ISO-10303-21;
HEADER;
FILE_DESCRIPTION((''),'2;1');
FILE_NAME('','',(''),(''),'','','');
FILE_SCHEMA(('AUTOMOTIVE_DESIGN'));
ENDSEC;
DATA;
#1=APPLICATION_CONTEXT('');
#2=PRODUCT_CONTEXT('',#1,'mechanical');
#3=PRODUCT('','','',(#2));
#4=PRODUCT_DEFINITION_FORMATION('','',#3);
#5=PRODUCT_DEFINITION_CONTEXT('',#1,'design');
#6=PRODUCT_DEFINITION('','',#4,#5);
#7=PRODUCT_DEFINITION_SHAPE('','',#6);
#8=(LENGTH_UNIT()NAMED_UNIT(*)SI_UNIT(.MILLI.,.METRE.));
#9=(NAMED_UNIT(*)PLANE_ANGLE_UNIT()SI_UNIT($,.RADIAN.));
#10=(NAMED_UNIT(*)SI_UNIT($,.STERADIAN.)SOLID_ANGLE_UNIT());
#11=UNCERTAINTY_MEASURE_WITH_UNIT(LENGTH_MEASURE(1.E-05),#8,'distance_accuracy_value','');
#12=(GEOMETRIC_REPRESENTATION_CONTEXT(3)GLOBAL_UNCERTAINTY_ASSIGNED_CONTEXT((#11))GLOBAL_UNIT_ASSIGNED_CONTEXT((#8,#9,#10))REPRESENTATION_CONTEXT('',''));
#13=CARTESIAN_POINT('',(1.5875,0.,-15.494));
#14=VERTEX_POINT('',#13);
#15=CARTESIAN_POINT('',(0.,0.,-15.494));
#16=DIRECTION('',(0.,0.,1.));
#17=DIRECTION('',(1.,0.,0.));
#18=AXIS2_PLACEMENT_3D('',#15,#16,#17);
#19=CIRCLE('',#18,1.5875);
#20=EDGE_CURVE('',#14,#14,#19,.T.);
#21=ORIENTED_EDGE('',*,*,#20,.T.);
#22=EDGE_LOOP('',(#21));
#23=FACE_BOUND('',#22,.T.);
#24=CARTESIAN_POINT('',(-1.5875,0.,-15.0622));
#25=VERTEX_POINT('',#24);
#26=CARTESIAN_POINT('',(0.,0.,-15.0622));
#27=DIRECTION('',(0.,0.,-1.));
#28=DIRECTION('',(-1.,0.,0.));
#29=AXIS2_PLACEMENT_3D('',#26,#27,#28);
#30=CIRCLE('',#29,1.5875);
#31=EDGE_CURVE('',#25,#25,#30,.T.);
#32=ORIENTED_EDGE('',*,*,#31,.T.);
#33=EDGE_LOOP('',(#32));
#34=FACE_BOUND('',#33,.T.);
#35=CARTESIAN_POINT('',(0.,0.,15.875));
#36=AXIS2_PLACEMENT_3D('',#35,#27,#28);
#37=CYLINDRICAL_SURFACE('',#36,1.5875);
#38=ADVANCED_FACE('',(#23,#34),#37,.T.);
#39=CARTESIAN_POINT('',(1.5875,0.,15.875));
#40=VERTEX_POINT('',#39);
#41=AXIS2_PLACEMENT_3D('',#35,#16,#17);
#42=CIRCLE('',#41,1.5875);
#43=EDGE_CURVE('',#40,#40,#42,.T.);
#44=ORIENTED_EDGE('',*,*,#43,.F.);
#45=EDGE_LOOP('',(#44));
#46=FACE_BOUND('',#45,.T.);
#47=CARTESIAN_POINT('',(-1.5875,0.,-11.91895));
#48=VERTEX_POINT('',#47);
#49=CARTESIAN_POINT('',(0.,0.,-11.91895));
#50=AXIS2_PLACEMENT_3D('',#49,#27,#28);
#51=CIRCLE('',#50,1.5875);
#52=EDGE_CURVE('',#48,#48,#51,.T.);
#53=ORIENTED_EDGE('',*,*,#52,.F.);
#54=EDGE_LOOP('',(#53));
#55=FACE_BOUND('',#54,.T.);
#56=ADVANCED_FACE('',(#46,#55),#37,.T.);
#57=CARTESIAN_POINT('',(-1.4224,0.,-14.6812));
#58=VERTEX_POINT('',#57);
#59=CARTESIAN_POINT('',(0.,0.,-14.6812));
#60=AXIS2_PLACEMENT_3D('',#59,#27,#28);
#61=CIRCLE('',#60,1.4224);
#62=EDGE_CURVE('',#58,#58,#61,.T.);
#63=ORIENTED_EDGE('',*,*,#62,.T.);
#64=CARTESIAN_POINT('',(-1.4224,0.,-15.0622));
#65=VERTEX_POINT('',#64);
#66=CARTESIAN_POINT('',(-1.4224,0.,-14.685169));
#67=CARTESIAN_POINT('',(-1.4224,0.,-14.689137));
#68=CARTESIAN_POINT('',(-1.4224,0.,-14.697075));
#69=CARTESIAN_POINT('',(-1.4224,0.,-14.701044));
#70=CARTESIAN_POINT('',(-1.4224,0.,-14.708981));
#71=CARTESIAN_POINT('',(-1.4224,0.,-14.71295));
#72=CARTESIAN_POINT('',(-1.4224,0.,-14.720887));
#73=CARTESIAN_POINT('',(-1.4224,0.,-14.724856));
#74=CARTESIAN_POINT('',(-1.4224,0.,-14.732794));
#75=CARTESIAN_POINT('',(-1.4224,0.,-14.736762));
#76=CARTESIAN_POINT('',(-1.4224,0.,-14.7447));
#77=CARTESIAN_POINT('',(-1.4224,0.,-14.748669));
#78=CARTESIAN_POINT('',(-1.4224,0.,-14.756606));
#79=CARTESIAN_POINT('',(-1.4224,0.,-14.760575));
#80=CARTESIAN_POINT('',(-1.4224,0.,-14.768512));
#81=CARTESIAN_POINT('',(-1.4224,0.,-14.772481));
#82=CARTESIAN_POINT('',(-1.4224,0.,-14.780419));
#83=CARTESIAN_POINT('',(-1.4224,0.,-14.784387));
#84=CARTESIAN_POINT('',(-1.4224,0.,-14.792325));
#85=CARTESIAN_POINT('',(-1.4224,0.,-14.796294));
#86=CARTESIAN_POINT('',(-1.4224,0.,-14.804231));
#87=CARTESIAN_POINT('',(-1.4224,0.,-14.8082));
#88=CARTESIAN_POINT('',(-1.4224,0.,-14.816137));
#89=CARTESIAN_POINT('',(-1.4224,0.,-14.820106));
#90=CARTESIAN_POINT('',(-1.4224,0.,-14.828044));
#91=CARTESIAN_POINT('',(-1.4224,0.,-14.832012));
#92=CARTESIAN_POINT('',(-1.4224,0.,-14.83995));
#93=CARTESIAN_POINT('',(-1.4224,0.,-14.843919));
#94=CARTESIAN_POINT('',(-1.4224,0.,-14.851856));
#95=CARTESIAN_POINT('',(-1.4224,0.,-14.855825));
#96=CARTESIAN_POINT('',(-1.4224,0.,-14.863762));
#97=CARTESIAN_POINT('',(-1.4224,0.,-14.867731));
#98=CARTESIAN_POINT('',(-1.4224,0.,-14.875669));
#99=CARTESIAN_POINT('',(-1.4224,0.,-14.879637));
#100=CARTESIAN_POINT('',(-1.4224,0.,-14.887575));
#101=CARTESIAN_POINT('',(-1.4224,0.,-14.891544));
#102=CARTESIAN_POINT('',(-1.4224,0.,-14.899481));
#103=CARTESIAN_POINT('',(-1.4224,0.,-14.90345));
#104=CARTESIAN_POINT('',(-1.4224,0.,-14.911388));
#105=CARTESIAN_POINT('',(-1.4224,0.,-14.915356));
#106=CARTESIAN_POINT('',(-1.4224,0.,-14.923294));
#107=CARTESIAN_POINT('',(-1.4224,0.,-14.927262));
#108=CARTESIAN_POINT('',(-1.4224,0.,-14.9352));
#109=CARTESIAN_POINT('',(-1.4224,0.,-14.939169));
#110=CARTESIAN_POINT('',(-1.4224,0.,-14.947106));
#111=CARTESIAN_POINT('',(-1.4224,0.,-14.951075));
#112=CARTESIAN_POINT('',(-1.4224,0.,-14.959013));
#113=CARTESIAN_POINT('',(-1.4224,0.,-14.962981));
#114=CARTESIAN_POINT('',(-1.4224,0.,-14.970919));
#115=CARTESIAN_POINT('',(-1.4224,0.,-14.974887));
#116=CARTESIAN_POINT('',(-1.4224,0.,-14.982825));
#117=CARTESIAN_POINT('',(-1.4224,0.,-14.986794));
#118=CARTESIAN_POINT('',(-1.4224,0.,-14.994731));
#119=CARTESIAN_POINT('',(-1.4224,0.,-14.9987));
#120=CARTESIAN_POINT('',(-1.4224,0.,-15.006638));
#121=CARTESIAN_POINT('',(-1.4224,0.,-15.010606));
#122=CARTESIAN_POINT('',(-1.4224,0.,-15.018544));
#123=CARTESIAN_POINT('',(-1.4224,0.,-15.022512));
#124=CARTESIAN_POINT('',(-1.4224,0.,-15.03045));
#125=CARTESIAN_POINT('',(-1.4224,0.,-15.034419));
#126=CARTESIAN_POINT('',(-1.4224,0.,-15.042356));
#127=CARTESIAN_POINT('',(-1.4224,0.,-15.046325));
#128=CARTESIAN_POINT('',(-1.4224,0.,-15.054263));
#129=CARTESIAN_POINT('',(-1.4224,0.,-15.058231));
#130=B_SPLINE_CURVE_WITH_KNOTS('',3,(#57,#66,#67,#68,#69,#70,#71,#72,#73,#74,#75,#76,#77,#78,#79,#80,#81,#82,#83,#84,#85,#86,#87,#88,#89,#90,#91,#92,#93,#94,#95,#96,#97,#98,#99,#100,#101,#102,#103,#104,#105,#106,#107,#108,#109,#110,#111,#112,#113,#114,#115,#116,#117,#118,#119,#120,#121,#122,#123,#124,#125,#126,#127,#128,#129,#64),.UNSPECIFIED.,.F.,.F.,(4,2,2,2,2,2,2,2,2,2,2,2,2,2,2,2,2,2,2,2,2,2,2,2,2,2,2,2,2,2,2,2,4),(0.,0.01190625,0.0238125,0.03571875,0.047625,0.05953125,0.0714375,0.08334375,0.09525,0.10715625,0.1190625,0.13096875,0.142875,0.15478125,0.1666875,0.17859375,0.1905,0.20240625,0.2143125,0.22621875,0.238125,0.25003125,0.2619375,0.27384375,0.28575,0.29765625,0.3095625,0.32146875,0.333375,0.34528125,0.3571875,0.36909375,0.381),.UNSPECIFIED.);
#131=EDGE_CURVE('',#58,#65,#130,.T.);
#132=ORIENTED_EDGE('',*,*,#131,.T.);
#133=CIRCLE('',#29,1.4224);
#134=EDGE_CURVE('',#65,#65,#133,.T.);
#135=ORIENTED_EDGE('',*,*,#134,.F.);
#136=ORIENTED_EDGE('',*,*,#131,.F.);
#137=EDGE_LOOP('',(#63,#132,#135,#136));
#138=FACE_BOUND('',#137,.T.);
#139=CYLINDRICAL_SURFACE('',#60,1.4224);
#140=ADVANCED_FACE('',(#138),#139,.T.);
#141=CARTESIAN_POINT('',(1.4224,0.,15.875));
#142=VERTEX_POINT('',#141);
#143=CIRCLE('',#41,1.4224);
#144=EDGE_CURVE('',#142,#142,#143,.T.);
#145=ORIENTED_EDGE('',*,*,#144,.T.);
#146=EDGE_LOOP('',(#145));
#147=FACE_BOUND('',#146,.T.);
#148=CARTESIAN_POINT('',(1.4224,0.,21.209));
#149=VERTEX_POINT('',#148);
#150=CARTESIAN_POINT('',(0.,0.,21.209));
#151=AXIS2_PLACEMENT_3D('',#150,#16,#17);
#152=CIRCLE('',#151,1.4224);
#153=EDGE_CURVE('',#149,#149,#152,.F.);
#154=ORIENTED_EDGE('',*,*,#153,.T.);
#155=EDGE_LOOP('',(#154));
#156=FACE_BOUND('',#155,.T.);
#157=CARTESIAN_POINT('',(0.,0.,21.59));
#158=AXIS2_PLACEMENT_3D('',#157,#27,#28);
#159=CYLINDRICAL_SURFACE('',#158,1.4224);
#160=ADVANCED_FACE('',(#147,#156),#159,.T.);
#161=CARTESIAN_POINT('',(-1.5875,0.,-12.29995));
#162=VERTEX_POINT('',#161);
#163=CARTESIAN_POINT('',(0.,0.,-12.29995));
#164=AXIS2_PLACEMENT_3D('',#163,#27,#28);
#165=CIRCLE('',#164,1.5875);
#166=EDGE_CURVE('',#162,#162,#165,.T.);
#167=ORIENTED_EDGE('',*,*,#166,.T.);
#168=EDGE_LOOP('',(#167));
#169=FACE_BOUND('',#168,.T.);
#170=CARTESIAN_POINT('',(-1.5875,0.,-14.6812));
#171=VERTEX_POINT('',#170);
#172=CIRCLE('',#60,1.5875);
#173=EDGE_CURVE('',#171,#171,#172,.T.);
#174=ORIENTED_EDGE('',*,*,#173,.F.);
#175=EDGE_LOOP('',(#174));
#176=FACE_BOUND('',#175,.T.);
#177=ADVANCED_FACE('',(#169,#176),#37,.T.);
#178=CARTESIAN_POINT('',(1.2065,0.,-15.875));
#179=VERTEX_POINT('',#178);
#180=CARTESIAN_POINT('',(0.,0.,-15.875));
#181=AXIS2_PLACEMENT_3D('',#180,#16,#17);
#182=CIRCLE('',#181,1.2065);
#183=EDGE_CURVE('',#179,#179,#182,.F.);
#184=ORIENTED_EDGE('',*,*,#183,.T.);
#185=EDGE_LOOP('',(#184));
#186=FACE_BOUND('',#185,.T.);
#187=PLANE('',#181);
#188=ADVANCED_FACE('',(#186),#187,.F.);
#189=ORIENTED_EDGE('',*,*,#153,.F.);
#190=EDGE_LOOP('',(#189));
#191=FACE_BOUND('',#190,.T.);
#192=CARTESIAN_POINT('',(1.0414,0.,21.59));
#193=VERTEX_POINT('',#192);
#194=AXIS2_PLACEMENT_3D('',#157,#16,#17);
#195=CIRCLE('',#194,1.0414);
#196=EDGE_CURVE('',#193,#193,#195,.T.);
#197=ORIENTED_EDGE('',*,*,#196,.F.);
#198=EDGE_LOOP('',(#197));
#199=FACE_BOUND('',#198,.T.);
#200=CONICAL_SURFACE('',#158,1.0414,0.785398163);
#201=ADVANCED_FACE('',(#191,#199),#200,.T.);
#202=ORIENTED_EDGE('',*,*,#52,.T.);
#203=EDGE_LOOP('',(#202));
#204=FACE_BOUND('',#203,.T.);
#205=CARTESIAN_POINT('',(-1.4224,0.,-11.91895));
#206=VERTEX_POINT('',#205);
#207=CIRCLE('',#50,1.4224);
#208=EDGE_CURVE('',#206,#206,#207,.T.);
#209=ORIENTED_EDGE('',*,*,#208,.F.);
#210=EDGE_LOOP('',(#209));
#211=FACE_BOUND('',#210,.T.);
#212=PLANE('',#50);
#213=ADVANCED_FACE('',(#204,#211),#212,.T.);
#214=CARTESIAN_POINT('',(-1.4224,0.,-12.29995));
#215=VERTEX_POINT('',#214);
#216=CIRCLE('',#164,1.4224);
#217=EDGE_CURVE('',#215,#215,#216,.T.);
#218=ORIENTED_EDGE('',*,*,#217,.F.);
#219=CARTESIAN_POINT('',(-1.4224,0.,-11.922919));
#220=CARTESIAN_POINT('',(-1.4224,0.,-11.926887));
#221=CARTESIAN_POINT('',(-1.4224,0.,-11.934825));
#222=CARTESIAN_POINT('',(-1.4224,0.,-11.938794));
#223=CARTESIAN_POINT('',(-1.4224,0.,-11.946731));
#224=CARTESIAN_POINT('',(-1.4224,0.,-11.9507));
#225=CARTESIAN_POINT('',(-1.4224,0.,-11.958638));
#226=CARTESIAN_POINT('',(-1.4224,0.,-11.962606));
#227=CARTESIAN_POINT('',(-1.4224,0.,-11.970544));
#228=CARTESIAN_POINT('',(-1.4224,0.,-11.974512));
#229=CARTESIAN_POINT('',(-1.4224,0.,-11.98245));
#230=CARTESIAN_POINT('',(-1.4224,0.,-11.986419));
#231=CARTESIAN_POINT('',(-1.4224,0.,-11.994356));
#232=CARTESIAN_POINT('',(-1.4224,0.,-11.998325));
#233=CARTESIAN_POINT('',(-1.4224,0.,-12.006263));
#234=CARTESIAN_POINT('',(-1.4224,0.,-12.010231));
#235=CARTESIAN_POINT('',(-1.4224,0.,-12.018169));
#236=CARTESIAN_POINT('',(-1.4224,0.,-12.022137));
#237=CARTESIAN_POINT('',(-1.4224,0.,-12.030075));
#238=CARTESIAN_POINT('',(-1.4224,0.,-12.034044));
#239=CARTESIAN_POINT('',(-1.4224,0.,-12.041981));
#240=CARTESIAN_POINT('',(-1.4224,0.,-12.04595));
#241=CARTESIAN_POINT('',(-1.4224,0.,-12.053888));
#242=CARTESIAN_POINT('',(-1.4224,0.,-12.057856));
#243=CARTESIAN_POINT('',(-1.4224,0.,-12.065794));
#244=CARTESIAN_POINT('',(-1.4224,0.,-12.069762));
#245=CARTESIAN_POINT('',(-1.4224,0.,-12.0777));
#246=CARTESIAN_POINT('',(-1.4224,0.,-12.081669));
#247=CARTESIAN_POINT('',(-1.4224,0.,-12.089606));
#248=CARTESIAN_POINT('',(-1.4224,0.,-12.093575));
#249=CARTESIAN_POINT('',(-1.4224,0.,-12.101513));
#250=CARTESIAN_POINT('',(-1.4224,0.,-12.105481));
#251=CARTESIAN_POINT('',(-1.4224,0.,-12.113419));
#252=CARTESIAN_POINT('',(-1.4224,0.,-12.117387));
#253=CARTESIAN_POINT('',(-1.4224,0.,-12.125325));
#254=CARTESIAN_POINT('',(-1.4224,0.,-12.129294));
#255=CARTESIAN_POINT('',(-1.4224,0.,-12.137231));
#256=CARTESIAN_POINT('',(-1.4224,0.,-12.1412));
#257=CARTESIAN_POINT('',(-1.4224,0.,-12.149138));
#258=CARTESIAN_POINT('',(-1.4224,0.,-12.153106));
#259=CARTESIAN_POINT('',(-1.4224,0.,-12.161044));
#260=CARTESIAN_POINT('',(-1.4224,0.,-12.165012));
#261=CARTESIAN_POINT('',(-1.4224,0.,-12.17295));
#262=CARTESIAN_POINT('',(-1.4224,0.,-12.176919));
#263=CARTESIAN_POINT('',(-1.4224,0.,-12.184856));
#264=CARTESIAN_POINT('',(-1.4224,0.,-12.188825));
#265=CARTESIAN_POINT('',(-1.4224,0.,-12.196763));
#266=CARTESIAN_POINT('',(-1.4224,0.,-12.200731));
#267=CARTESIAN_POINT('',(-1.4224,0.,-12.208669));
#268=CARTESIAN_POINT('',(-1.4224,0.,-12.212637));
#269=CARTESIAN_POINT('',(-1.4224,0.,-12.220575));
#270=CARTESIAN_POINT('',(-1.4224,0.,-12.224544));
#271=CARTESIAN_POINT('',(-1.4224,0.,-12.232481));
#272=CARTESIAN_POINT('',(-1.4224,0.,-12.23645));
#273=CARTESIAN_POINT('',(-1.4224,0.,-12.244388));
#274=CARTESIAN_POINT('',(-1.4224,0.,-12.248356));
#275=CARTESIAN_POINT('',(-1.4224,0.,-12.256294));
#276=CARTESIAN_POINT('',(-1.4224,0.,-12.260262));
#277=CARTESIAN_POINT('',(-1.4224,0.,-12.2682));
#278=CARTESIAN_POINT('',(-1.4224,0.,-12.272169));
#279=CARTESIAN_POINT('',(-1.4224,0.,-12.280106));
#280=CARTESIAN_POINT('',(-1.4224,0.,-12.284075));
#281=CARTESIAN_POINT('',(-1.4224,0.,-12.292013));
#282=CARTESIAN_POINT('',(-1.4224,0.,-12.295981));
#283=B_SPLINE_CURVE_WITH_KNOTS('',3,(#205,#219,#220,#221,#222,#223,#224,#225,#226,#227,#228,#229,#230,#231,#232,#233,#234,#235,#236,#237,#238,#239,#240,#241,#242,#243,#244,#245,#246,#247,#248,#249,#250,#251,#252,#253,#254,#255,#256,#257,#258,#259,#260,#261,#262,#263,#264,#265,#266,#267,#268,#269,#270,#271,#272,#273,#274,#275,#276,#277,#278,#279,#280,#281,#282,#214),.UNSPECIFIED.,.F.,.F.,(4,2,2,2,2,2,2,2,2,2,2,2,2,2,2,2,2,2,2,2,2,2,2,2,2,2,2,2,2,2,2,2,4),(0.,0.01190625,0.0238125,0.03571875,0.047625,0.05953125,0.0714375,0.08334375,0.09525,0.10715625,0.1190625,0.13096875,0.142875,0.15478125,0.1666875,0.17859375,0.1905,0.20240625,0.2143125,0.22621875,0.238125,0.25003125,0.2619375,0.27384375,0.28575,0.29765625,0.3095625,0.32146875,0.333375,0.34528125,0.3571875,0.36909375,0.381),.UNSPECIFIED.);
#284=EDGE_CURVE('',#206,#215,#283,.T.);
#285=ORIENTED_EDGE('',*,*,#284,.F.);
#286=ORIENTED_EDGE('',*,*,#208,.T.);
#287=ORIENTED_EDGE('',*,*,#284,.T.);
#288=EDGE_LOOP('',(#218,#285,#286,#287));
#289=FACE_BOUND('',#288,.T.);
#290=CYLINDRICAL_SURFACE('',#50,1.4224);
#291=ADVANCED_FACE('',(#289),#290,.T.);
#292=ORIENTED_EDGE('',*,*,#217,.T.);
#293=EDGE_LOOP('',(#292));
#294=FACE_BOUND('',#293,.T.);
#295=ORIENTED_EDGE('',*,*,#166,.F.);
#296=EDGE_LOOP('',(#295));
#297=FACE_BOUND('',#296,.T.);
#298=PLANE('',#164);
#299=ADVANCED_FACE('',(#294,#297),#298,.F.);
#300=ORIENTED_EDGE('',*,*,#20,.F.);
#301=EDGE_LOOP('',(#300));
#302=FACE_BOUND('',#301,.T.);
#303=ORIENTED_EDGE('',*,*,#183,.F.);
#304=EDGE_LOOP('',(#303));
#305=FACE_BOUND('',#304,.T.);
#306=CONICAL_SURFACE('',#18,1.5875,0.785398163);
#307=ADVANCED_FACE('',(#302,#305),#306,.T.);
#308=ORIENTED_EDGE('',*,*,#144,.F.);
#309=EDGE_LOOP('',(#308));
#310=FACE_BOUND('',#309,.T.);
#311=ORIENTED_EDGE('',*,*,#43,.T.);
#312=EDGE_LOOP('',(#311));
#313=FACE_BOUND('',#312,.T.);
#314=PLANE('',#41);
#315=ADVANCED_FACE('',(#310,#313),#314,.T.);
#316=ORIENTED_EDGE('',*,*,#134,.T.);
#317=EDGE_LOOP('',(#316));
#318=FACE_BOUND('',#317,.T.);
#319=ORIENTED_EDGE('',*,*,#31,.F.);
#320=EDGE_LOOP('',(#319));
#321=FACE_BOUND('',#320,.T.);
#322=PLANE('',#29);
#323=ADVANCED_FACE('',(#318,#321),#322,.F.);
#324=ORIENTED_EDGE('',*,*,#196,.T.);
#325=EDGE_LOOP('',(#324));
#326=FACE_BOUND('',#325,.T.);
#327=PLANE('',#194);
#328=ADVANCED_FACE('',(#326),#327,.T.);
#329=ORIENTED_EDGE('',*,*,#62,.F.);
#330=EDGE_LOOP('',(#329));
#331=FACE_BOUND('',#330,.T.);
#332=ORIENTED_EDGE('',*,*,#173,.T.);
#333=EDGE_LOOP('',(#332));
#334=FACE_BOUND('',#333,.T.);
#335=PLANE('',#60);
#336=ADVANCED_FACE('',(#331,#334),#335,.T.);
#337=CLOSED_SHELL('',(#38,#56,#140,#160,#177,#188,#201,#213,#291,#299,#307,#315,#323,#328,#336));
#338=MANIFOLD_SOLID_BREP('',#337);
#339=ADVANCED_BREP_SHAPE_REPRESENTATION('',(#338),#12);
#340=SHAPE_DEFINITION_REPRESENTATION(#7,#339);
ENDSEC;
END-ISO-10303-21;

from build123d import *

# Parameters (mm, degrees)
SKETCH1_R           = 1.5875
BOSS_EXTRUDE1_DEPTH = 15.875
SKETCH2_R           = 1.4224
BOSS_EXTRUDE2_DEPTH = 5.715
SKETCH3_R           = 1.5875
SKETCH3_R_2         = 1.4224
CUT_EXTRUDE1_DEPTH  = 0.381
SKETCH4_R           = 1.5875
SKETCH4_R_2         = 1.4224
CUT_EXTRUDE2_DEPTH  = 0.381
CHAMFER1_SIZE       = 0.381


with BuildPart() as part:
    # Sketch1 → Boss-Extrude1 (new, symmetric)
    with BuildSketch(Plane.XY):
        Circle(SKETCH1_R)
    extrude(amount=BOSS_EXTRUDE1_DEPTH, both=True)

    # Sketch2 → Boss-Extrude2 (add)
    with BuildSketch(Plane.XY.offset(15.875)):
        Circle(SKETCH2_R)
    extrude(amount=BOSS_EXTRUDE2_DEPTH)

    # Sketch3 → Cut-Extrude1 (cut)
    with BuildSketch(Plane(origin=(0, 0, -15.0622), x_dir=(-1, 0, 0), z_dir=(0, 0, -1))):
        Circle(SKETCH3_R)
        with Locations(Location((0, 0, 0), (0, 0, 180))):
            Circle(SKETCH3_R_2, mode=Mode.SUBTRACT)
    extrude(amount=-CUT_EXTRUDE1_DEPTH, mode=Mode.SUBTRACT)

    # Sketch4 → Cut-Extrude2 (cut)
    with BuildSketch(Plane(origin=(0, 0, -12.29995), x_dir=(-1, 0, 0), z_dir=(0, 0, -1))):
        Circle(SKETCH4_R)
        Circle(SKETCH4_R_2, mode=Mode.SUBTRACT)
    extrude(amount=-CUT_EXTRUDE2_DEPTH, mode=Mode.SUBTRACT)

    # Chamfer1
    chamfer1_edges = [part.edges().sort_by_distance(p)[0] for p in [
        (-1.5875, 0, -15.875),
        (-1.4224, 0, 21.59),
    ]]
    chamfer(chamfer1_edges, length=CHAMFER1_SIZE)


solid = part.part
